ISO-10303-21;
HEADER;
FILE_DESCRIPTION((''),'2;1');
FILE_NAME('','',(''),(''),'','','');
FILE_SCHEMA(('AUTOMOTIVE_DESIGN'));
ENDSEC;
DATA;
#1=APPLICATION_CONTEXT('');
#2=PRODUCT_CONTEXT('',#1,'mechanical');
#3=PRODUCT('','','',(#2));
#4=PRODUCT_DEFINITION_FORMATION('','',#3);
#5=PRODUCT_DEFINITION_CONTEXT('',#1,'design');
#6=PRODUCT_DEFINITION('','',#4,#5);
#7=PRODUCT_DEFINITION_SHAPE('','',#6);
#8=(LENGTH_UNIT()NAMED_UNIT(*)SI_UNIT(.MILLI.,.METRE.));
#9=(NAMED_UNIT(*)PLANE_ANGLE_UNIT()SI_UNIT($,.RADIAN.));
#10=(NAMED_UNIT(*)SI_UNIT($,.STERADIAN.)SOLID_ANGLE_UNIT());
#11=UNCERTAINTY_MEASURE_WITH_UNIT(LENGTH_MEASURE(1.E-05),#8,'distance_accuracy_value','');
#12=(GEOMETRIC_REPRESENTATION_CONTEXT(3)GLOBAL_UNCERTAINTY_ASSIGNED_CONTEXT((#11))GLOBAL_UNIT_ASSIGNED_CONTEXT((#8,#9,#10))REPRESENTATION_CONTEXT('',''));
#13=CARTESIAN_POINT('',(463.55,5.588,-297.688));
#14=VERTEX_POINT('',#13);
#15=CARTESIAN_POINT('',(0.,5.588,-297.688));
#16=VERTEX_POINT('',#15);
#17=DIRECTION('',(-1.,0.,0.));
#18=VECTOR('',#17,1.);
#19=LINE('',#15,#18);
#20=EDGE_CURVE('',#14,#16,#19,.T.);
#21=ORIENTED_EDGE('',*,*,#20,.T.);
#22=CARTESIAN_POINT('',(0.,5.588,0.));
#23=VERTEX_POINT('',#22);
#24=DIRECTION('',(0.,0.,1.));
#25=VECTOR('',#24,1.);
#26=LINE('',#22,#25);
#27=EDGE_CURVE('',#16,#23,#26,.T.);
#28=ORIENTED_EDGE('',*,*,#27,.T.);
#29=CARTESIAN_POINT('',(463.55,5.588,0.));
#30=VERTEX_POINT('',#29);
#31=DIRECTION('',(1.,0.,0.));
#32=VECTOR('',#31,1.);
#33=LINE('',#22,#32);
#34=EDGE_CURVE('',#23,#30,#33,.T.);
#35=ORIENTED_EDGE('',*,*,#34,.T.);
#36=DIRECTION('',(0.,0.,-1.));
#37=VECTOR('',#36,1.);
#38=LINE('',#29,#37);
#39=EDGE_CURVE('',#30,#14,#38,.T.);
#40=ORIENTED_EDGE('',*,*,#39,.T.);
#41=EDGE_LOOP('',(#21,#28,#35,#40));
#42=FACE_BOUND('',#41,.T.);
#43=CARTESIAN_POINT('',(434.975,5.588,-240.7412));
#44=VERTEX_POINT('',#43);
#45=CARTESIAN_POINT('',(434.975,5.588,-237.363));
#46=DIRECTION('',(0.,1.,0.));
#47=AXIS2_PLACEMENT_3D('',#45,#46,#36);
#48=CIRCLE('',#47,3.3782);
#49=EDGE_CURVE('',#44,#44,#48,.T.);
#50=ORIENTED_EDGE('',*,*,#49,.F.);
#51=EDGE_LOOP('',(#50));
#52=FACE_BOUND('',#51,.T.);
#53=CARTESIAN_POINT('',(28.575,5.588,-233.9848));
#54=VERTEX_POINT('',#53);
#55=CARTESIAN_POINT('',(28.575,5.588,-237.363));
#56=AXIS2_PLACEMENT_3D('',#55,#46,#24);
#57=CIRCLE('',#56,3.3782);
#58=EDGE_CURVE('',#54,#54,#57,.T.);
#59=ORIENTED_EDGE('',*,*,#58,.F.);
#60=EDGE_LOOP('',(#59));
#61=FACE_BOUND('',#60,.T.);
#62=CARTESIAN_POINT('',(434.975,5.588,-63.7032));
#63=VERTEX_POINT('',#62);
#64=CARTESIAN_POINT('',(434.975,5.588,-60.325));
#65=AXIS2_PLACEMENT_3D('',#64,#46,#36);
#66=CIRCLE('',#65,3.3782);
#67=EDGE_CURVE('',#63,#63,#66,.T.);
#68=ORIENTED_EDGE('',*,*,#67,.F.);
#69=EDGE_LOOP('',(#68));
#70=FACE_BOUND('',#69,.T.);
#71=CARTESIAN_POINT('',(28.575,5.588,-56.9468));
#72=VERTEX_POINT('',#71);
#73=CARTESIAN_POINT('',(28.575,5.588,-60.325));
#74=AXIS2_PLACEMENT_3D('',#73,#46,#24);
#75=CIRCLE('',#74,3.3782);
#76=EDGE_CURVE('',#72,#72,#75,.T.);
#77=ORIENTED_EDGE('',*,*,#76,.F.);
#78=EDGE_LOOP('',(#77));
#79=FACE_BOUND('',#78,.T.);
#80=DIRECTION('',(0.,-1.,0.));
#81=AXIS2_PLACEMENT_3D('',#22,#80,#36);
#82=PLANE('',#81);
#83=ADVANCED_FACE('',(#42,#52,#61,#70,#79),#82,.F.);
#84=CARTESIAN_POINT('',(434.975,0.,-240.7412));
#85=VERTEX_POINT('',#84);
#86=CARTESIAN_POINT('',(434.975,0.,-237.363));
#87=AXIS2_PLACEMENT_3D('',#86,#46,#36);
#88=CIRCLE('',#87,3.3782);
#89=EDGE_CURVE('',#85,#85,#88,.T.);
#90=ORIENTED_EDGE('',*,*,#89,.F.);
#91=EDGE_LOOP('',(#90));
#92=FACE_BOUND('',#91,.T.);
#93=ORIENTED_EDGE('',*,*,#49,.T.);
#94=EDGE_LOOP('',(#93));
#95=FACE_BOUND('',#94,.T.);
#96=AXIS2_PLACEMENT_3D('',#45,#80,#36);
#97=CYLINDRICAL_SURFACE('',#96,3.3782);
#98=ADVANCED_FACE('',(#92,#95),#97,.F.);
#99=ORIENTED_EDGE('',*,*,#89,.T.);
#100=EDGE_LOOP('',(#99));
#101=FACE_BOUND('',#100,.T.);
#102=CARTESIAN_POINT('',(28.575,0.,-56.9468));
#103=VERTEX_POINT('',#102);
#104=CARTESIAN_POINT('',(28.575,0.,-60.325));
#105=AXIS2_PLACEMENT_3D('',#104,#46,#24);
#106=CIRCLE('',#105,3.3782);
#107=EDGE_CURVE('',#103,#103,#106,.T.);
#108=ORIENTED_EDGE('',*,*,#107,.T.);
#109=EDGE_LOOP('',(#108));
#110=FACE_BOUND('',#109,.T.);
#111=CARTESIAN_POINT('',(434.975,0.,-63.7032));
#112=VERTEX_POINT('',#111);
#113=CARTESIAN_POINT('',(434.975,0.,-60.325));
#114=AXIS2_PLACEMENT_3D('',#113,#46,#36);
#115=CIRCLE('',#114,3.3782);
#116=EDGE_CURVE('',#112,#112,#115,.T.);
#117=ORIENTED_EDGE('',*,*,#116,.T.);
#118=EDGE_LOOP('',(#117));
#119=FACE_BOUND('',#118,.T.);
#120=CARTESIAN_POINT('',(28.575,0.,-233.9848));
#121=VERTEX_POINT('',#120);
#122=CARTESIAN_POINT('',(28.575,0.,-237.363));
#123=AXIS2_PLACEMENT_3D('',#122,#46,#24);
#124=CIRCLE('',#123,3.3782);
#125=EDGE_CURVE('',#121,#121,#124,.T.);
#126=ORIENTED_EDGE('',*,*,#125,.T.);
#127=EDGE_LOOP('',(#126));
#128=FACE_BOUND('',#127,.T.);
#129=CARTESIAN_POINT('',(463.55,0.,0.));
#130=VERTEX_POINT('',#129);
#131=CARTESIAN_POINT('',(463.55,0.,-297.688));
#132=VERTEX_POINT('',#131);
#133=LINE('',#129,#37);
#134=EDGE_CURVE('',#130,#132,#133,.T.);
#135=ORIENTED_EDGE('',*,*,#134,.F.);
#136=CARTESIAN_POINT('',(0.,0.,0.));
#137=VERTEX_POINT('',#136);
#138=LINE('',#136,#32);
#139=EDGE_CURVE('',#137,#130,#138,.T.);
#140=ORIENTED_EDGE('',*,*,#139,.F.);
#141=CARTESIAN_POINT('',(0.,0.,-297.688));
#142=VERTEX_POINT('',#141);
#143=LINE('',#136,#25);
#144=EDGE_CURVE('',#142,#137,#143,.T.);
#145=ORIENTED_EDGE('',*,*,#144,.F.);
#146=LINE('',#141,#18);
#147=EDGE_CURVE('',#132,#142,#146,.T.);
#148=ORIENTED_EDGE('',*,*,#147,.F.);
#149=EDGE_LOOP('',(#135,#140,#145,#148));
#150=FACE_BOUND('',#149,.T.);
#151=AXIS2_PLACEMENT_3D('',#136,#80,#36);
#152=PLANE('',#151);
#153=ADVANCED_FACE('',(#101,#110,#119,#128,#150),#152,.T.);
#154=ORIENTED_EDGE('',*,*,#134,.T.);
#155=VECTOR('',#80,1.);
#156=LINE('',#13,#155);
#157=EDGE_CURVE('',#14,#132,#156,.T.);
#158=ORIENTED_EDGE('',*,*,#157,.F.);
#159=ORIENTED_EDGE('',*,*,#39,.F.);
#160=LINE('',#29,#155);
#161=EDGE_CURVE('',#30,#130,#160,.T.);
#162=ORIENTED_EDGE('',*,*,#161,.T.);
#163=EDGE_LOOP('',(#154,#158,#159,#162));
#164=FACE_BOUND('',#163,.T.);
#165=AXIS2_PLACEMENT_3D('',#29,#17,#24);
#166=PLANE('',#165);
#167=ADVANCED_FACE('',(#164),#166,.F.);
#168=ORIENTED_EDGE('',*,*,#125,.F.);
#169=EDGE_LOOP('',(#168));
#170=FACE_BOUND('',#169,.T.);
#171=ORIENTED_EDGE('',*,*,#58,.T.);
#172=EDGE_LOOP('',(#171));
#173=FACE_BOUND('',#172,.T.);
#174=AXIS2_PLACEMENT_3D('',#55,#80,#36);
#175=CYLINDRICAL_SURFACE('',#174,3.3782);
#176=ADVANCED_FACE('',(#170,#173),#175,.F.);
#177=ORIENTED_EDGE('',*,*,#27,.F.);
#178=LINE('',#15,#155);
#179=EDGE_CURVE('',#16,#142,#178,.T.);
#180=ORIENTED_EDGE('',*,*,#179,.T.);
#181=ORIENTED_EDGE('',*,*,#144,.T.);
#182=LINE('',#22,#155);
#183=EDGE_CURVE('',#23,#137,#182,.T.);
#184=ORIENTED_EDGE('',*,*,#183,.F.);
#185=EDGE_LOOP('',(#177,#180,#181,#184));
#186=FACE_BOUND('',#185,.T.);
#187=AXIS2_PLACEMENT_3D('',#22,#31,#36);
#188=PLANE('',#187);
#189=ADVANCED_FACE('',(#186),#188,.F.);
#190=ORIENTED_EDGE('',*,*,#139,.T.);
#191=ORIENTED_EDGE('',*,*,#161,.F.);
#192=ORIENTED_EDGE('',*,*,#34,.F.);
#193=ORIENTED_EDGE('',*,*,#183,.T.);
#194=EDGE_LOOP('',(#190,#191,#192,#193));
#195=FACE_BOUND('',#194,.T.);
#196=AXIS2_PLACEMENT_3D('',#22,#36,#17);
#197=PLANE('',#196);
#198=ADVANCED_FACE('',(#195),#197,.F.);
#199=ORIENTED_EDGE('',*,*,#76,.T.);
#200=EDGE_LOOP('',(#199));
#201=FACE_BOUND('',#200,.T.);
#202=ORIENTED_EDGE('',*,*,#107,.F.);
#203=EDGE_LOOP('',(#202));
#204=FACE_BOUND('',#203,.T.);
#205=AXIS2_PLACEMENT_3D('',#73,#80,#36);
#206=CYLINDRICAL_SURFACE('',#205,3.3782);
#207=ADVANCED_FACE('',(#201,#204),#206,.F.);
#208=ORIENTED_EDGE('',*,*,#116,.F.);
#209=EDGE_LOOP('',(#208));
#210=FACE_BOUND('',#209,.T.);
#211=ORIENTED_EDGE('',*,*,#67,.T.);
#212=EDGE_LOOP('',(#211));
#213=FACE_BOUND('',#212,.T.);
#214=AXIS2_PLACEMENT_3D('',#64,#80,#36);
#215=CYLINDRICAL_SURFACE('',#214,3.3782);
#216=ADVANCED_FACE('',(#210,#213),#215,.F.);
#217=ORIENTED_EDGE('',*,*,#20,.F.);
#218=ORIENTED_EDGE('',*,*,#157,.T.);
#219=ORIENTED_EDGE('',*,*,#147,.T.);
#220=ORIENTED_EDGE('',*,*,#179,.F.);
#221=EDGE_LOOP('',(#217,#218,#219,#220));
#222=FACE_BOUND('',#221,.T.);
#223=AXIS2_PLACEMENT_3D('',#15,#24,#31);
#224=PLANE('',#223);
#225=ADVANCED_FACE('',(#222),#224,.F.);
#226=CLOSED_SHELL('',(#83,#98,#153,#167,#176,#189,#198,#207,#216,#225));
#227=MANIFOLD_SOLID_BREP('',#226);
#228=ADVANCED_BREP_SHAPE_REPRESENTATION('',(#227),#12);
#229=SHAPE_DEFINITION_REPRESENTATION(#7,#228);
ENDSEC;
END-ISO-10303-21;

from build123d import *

# Parameters (mm, degrees)
SKETCH1_W           = 463.55
SKETCH1_H           = 297.688
SKETCH1_R           = 3.3782
BOSS_EXTRUDE1_DEPTH = 5.588


with BuildPart() as part:
    # Sketch1 → Boss-Extrude1 (new body)
    with BuildSketch(Plane(origin=(0, 0, 0), x_dir=(1, 0, 0), z_dir=(0, 1, 0))):
        with Locations((231.775, 148.844)):
            Rectangle(SKETCH1_W, SKETCH1_H)
        with Locations(Location((28.575, 60.325, 0), (0, 0, 270))):
            Circle(SKETCH1_R, mode=Mode.SUBTRACT)
        with Locations(Location((28.575, 237.363, 0), (0, 0, 270))):
            Circle(SKETCH1_R, mode=Mode.SUBTRACT)
        with Locations(Location((434.975, 237.363, 0), (0, 0, 90))):
            Circle(SKETCH1_R, mode=Mode.SUBTRACT)
        with Locations(Location((434.975, 60.325, 0), (0, 0, 90))):
            Circle(SKETCH1_R, mode=Mode.SUBTRACT)
    extrude(amount=BOSS_EXTRUDE1_DEPTH)


solid = part.part
